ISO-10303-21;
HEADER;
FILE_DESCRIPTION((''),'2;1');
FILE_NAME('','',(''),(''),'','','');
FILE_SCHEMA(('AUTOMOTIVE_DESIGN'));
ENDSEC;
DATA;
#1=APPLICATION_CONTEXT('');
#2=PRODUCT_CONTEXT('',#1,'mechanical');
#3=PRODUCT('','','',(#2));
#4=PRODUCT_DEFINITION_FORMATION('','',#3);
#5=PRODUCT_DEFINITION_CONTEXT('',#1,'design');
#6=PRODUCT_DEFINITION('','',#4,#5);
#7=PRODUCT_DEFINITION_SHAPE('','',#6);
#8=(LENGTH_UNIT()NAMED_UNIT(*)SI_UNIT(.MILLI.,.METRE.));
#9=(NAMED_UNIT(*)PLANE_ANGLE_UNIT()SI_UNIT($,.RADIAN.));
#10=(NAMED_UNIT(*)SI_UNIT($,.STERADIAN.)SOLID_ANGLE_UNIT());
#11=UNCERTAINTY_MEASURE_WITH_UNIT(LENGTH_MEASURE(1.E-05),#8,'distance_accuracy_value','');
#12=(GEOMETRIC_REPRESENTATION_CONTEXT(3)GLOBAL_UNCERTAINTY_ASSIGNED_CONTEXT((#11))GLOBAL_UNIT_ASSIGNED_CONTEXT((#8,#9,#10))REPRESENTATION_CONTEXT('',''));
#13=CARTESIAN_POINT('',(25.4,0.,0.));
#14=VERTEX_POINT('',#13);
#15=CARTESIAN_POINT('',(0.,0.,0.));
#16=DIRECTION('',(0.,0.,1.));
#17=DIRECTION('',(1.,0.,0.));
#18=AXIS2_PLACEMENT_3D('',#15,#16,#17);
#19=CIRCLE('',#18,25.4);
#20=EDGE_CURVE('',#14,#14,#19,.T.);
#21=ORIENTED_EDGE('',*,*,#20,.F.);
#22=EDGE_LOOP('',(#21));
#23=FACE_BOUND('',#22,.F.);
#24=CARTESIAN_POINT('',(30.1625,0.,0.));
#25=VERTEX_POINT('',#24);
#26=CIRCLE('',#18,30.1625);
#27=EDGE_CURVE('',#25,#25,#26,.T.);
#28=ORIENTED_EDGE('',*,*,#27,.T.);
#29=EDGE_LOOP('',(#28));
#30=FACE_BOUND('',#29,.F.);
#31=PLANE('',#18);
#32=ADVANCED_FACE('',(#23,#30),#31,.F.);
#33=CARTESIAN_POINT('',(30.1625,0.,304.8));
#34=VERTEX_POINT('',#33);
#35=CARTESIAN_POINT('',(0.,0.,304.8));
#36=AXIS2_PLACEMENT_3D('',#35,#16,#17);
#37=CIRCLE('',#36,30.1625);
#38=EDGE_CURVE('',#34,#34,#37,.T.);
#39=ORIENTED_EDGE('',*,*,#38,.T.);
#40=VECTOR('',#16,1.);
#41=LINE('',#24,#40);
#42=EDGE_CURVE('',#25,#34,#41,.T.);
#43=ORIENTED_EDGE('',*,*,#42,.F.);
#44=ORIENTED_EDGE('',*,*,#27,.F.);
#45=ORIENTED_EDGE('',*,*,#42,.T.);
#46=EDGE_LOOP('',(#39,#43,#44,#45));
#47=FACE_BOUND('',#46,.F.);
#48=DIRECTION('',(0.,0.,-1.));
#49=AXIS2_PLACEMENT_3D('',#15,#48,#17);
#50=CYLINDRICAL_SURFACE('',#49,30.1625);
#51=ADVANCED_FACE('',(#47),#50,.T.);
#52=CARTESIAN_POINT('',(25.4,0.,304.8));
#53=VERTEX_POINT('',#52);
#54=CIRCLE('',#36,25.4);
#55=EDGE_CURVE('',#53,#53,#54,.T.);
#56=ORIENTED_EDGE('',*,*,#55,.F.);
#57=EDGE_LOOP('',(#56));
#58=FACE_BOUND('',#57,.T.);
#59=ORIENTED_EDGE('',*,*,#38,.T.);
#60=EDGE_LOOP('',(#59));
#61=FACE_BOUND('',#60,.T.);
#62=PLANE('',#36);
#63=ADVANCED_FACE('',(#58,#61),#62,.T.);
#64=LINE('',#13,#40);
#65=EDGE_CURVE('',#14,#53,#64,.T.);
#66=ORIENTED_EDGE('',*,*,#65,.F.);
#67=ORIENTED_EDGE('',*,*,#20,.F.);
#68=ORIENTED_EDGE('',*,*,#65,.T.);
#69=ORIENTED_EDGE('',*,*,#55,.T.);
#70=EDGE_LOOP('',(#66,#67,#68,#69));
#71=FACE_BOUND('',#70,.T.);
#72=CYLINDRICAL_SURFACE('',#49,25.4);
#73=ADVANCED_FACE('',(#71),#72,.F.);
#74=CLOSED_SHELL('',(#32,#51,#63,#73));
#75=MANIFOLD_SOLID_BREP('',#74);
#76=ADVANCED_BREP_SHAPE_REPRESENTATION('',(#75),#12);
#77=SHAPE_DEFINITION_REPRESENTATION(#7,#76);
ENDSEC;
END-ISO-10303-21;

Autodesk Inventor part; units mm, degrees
ref_plane "YZ Plane" through (0, 0, 0) normal (1, 0, 0) x (0, 1, 0)
ref_plane "XZ Plane" through (0, 0, 0) normal (0, 1, 0) x (-1, 0, 0)
ref_plane "XY Plane" through (0, 0, 0) normal (0, 0, 1) x (1, 0, 0)
sketch "Sketch1" plane through (0, 0, 0) normal (0, 0, 1) x (1, 0, 0)
  circle A0 centre (0, 0) radius 25.4
  circle A1 centre (0, 0) radius 30.1625
  dimension "d0" = 50.8
  dimension "d1" = 60.325
extrude "Extrusion1" add sketch "Sketch1" along normal blind 304.8
properties part number "Generic 1ft Segment"
